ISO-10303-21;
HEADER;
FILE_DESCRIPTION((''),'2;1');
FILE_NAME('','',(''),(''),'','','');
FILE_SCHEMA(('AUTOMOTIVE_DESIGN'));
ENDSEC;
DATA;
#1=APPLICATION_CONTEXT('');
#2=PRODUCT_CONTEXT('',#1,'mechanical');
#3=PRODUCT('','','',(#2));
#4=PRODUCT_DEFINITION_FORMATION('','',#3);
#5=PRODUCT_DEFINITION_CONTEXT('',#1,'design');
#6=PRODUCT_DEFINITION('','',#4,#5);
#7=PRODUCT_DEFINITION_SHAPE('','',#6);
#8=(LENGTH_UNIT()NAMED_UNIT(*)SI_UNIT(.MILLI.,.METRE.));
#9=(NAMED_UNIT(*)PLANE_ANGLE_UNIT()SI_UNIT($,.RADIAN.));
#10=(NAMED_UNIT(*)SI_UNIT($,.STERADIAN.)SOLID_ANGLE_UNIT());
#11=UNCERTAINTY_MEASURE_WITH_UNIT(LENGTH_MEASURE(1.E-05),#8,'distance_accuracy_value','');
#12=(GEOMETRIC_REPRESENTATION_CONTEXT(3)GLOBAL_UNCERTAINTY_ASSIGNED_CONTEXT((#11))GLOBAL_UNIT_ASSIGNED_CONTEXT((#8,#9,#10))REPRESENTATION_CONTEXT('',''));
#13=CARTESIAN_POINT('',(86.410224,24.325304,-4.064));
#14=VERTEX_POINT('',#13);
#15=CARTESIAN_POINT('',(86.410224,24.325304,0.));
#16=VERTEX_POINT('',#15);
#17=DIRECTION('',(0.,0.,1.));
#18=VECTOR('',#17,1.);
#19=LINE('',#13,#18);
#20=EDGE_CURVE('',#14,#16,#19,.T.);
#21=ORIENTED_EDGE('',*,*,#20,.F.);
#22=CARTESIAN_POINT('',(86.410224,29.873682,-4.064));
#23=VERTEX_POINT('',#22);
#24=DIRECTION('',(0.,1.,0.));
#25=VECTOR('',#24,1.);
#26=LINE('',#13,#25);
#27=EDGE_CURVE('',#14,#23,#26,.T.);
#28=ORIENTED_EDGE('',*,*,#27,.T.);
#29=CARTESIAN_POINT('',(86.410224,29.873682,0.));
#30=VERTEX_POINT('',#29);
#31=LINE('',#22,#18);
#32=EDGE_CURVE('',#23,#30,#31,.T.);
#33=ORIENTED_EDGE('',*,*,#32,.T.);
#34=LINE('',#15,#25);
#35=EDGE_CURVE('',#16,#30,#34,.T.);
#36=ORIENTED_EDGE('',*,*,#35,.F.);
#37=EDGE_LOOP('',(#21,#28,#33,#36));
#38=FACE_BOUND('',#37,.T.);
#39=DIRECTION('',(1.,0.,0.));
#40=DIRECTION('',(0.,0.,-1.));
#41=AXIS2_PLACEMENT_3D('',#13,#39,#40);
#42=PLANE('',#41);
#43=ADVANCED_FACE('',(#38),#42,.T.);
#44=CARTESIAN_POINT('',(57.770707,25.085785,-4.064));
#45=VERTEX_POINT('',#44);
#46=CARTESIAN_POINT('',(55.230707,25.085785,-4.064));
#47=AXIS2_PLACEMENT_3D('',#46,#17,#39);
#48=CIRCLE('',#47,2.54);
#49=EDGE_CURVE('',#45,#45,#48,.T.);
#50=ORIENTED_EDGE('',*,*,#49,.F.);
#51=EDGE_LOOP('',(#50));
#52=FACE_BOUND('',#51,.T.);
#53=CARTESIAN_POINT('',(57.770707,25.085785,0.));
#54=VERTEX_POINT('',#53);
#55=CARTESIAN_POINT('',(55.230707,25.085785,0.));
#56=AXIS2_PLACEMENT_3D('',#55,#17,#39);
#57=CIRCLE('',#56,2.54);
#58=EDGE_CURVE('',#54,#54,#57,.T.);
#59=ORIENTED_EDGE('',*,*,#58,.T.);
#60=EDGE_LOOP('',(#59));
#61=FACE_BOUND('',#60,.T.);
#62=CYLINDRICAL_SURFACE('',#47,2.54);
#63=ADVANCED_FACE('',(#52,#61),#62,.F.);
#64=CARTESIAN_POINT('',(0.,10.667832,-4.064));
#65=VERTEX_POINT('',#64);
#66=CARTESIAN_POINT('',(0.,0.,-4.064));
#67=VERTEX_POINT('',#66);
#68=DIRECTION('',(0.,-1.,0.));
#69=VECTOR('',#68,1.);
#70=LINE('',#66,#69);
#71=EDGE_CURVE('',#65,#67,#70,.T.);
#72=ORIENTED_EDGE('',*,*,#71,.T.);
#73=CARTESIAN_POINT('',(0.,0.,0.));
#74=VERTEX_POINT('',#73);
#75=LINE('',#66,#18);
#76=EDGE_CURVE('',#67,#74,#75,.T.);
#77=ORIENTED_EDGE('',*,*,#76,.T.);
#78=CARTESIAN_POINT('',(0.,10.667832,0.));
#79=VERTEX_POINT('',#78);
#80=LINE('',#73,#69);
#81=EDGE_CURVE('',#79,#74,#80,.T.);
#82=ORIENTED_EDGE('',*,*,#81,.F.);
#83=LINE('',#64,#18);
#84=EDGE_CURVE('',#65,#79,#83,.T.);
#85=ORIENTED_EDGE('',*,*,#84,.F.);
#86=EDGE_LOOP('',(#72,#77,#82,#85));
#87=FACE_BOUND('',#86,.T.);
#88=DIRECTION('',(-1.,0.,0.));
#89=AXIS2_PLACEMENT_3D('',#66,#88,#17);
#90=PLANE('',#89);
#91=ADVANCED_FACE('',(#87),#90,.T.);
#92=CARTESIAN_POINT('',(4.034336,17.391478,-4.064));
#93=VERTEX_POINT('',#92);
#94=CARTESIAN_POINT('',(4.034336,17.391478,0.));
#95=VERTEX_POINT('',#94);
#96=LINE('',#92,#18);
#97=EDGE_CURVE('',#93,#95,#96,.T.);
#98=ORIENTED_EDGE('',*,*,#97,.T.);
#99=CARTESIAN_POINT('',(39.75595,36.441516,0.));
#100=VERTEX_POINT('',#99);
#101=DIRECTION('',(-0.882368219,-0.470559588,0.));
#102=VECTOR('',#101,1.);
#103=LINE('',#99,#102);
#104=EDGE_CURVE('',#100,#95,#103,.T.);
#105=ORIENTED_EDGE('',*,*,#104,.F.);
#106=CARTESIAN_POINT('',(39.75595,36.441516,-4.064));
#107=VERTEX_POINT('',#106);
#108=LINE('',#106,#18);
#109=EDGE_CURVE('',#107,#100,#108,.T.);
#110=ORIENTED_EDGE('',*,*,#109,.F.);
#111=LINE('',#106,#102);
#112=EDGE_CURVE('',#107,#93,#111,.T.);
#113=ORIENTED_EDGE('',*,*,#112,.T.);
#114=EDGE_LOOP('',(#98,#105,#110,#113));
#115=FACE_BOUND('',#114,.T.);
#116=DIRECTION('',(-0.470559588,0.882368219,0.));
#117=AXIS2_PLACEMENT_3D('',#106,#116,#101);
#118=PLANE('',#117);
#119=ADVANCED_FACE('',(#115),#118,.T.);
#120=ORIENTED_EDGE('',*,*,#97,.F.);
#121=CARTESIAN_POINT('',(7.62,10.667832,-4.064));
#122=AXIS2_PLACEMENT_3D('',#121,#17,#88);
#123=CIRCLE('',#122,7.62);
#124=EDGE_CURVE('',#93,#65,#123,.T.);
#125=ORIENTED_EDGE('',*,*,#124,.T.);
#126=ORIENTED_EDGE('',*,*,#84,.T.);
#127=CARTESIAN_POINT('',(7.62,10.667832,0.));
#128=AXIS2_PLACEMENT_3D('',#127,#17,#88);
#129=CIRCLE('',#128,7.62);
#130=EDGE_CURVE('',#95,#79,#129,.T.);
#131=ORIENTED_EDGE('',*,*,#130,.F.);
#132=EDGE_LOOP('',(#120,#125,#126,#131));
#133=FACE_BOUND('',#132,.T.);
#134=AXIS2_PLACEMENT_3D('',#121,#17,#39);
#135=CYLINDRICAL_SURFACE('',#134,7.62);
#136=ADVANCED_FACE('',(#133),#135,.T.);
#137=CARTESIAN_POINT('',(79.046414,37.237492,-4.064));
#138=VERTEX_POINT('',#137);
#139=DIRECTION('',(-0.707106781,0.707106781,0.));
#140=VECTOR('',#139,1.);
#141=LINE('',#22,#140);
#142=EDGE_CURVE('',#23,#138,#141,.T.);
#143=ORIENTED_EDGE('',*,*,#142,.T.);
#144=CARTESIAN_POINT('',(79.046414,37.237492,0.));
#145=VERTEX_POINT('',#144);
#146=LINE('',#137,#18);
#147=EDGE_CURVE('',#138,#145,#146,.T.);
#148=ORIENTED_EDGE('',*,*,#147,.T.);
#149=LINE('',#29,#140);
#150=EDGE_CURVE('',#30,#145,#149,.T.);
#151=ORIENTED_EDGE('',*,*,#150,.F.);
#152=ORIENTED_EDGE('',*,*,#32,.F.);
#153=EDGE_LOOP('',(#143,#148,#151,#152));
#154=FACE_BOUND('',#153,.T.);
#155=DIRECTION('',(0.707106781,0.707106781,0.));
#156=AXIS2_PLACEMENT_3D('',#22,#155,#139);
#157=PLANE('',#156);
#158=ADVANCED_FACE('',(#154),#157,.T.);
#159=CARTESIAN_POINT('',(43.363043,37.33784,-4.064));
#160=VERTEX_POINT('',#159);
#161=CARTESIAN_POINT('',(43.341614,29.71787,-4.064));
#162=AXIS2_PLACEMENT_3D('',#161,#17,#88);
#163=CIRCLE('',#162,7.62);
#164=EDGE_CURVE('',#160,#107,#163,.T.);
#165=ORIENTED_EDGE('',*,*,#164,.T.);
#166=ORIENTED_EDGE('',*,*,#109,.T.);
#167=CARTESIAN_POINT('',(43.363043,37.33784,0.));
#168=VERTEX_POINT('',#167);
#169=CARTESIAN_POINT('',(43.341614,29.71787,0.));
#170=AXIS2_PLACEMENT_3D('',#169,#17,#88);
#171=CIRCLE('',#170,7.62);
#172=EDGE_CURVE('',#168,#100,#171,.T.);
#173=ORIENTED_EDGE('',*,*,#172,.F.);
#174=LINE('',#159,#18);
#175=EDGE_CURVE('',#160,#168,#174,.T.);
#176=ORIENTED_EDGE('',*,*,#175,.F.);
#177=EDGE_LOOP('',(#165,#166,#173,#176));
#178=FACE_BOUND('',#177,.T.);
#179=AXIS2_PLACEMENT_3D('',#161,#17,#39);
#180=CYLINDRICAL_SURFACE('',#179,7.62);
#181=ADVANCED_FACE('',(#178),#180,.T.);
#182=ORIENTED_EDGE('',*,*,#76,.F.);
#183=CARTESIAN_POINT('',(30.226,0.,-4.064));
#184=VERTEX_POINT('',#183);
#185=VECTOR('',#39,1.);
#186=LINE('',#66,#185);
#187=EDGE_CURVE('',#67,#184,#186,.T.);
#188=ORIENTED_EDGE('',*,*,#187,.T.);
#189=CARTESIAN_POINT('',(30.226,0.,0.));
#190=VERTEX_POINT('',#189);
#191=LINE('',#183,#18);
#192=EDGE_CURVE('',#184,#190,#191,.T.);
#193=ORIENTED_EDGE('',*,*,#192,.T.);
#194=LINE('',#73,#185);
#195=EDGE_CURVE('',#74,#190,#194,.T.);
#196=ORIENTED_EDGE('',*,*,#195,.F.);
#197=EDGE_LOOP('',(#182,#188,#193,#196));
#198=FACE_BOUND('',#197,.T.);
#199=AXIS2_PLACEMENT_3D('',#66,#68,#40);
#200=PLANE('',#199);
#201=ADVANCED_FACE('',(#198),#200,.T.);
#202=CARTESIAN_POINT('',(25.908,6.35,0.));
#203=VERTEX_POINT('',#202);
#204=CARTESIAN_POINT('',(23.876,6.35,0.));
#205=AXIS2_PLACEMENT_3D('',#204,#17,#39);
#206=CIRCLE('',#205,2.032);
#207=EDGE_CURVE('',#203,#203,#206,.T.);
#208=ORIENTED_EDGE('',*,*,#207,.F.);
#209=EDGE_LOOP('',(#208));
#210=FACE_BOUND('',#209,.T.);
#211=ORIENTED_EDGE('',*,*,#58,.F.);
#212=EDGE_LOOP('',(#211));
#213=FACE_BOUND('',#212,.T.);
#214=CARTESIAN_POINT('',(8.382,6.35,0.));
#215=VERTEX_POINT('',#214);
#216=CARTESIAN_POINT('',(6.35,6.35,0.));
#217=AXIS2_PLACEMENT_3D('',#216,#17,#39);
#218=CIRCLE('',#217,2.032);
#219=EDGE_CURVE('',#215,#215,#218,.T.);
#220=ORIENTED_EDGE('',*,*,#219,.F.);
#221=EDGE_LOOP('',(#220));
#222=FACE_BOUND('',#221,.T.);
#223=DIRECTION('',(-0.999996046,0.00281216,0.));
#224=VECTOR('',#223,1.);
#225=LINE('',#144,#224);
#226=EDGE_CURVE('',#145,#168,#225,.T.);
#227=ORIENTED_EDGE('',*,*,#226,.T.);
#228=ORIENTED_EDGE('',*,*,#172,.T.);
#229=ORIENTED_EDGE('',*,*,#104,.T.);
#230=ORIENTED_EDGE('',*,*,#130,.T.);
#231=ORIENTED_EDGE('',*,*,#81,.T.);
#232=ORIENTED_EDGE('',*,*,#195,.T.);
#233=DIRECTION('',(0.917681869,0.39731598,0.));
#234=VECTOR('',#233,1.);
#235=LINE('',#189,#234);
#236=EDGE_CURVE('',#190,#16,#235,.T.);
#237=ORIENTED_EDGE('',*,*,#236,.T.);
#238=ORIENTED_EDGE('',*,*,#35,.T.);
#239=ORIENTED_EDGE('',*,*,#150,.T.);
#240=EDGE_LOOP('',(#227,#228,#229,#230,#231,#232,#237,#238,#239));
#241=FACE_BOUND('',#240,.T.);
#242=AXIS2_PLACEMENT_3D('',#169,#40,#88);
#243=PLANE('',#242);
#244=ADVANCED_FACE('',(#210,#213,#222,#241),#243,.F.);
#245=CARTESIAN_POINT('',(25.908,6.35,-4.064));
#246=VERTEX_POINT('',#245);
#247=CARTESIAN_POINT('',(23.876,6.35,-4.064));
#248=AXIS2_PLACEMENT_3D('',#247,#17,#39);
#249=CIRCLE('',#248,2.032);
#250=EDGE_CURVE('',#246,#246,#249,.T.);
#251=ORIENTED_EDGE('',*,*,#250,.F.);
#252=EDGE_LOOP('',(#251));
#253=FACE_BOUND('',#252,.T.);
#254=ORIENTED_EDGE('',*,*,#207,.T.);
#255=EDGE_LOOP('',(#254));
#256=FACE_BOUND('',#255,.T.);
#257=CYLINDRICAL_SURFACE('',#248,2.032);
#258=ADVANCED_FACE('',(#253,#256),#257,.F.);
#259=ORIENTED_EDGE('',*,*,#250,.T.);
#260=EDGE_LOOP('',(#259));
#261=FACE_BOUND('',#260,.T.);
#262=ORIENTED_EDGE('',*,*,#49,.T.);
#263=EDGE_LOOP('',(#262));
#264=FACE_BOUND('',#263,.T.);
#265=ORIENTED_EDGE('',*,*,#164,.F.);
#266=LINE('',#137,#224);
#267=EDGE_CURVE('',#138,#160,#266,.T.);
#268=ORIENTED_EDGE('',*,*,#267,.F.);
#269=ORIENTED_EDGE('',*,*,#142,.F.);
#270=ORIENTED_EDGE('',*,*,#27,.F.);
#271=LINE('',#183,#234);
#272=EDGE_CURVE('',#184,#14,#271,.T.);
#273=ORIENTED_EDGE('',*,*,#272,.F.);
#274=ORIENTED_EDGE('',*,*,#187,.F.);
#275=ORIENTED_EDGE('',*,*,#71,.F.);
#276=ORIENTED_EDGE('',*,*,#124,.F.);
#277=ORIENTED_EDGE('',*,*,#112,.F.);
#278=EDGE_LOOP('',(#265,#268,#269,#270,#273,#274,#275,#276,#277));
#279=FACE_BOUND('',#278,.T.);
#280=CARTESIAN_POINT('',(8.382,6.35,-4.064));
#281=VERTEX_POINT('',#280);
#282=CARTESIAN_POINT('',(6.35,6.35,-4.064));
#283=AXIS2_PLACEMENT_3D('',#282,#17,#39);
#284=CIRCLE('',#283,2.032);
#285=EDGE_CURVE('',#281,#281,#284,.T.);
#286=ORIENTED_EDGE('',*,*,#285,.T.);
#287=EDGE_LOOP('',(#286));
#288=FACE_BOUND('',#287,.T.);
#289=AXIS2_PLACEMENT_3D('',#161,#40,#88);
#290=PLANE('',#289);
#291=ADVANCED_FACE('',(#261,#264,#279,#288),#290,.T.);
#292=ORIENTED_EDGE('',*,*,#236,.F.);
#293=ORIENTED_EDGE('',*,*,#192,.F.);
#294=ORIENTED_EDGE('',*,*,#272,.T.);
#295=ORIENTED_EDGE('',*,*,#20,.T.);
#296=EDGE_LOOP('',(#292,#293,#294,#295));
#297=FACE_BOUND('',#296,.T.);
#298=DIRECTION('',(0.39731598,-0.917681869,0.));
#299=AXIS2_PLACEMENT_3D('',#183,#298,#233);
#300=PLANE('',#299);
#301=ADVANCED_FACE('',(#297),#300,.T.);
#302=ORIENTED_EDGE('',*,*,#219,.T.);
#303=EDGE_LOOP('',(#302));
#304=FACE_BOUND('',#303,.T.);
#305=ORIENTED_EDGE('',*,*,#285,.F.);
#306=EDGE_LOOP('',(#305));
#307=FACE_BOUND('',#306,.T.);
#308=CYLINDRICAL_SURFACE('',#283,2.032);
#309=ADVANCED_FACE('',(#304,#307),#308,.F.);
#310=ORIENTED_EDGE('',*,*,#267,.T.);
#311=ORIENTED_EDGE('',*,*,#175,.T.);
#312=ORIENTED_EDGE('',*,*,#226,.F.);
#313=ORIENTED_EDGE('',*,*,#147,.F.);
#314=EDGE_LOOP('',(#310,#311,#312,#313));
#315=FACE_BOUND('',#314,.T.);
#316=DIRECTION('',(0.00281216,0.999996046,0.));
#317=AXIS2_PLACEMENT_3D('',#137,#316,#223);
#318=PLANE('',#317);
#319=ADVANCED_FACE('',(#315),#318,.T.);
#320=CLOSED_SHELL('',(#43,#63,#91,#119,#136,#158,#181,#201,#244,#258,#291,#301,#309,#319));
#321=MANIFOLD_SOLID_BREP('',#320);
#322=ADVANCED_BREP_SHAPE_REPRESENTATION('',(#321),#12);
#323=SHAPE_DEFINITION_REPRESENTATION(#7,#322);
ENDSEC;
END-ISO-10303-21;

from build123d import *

# Parameters (mm, degrees)
SKETCH1_R           = 2.032
SKETCH1_R_2         = 2.54
BOSS_EXTRUDE1_DEPTH = 4.064


with BuildPart() as part:
    # Sketch1 → Boss-Extrude1 (new body)
    with BuildSketch(Plane.XY):
        with BuildLine():
            Line((0, 0), (0, 10.667831766))
            ThreePointArc((0, 10.667831766), (1.08596755, 14.588395494), (4.034335943, 17.391477598))
            Line((4.034335943, 17.391477598), (39.755950307, 36.44151561))
            ThreePointArc((39.755950307, 36.44151561), (41.504009214, 37.112976763), (43.363043022, 37.337839648))
            Line((43.363043022, 37.337839648), (79.046414123, 37.237491906))
            Line((79.046414123, 37.237491906), (86.410224142, 29.873681887))
            Line((86.410224142, 29.873681887), (86.410224142, 24.325303591))
            Line((86.410224142, 24.325303591), (30.226, 0))
            Line((30.226, 0), (0, 0))
        make_face()
        with Locations((6.35, 6.35)):
            Circle(SKETCH1_R, mode=Mode.SUBTRACT)
        with Locations((23.876, 6.35)):
            Circle(SKETCH1_R, mode=Mode.SUBTRACT)
        with Locations((55.230707363, 25.085785264)):
            Circle(SKETCH1_R_2, mode=Mode.SUBTRACT)
    extrude(amount=-BOSS_EXTRUDE1_DEPTH)


solid = part.part
